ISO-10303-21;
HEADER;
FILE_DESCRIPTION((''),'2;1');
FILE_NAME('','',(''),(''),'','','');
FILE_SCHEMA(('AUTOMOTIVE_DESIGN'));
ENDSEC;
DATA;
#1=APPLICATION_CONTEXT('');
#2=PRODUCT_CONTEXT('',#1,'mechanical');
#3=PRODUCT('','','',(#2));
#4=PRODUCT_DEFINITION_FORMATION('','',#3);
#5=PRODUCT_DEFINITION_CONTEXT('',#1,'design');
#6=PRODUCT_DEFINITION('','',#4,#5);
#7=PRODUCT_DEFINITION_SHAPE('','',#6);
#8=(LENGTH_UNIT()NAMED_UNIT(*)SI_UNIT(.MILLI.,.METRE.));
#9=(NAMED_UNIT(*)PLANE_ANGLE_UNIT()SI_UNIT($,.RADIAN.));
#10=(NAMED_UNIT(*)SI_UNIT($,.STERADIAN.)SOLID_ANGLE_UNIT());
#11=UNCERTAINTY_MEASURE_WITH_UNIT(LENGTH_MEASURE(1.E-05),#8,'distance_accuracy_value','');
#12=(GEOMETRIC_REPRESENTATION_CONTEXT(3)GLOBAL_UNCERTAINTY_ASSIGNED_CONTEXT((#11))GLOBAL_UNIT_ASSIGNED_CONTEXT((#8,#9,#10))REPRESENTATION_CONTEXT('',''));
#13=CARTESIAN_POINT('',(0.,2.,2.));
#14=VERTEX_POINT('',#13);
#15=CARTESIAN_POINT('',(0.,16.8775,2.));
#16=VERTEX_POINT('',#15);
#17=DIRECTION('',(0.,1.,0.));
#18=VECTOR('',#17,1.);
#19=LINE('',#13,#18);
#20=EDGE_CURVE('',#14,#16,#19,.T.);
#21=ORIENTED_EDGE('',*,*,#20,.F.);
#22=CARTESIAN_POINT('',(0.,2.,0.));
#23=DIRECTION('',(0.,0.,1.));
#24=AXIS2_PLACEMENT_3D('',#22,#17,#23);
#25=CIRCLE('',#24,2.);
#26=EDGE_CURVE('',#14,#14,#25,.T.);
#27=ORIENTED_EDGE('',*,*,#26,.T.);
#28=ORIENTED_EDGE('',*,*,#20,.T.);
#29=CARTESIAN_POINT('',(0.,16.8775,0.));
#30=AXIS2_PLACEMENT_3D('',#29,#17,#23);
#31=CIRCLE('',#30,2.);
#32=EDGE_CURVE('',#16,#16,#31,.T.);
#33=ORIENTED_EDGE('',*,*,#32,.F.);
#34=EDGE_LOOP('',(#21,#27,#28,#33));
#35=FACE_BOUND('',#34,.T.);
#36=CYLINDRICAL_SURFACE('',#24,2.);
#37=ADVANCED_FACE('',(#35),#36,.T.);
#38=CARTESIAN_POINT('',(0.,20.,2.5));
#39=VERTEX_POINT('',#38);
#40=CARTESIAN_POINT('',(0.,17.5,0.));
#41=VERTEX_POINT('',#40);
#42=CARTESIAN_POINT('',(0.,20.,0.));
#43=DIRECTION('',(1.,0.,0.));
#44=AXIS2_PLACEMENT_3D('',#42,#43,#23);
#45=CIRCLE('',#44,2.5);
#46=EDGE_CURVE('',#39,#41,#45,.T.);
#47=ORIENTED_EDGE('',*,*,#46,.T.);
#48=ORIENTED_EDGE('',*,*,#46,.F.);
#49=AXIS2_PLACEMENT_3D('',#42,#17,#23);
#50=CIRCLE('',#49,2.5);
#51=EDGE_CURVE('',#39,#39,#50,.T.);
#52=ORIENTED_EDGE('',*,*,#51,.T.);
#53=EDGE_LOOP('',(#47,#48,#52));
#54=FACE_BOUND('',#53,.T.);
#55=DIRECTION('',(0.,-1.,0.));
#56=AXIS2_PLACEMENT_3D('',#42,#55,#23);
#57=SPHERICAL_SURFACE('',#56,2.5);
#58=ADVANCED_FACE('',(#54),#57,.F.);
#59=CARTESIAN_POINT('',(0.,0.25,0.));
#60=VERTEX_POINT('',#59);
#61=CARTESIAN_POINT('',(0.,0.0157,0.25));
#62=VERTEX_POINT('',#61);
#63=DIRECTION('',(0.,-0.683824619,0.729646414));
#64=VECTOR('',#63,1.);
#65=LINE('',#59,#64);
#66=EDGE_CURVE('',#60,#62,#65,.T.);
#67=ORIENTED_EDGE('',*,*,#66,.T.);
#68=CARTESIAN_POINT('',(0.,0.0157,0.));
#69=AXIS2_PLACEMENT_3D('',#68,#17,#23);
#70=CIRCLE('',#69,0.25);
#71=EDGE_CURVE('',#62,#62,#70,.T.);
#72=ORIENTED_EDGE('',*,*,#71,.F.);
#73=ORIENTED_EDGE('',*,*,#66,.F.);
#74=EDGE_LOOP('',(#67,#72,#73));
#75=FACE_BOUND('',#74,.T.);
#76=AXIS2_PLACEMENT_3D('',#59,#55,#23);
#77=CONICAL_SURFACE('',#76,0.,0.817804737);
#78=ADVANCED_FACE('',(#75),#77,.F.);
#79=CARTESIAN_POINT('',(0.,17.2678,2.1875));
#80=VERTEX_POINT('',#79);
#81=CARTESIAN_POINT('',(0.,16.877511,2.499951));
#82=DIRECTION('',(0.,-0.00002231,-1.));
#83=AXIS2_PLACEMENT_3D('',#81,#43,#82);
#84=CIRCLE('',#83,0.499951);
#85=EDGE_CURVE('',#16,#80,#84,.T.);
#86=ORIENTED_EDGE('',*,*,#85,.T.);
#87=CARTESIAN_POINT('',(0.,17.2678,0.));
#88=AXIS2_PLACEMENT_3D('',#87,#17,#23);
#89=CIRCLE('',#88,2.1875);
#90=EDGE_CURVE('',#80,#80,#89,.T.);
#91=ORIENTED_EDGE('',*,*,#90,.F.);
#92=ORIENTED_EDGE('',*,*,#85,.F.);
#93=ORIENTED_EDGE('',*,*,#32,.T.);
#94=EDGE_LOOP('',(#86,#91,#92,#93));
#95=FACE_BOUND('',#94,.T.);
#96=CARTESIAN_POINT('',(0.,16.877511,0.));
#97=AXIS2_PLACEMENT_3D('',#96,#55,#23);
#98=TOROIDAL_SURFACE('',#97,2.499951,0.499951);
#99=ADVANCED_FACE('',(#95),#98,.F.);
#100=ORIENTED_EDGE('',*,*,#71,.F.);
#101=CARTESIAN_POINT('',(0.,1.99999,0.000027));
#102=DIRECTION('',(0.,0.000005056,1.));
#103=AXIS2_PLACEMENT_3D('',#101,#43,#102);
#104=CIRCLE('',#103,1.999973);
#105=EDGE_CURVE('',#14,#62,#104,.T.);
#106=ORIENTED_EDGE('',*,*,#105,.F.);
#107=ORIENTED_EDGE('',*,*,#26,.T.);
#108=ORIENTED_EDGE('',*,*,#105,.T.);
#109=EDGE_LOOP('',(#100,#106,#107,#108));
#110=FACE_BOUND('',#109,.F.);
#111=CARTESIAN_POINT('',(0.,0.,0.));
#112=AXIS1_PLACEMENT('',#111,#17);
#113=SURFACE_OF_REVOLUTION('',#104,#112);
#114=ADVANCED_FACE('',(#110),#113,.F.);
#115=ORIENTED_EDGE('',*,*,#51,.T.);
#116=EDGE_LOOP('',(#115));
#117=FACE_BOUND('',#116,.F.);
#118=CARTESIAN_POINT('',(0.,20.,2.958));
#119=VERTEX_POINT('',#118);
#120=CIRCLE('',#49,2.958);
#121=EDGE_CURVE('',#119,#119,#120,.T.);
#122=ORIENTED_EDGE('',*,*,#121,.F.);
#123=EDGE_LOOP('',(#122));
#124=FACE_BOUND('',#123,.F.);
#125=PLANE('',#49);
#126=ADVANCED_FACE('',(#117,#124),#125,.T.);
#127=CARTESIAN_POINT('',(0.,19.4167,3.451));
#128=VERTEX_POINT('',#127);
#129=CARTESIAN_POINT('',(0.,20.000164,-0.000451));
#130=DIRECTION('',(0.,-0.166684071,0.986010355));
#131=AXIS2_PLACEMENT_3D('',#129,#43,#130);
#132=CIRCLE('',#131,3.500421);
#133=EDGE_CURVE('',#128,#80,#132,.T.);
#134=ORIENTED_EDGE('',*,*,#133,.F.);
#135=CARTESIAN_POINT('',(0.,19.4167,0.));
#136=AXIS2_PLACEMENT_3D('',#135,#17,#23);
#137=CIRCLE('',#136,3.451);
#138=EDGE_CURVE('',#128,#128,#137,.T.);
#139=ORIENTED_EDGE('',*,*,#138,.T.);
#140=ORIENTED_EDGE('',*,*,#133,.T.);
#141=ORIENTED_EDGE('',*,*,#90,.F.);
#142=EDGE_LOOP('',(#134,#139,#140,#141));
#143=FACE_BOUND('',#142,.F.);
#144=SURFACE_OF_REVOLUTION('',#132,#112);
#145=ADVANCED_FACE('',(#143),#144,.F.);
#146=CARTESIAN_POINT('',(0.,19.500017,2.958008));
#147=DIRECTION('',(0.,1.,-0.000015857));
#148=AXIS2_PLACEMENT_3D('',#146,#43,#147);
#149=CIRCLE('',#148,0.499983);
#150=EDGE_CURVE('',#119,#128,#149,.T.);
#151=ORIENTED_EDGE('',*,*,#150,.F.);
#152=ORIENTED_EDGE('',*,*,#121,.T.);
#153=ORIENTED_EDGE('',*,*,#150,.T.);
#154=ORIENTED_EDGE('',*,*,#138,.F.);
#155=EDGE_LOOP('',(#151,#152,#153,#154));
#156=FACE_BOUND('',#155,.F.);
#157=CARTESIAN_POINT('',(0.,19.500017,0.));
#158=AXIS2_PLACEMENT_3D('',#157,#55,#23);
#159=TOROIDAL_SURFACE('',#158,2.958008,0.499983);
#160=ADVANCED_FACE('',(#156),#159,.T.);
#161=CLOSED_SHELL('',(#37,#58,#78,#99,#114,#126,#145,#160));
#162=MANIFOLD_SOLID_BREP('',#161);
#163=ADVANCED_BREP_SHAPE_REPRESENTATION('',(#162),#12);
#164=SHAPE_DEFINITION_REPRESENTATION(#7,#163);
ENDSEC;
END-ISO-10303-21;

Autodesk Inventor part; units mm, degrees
ref_plane "YZ Plane" through (0, 0, 0) normal (1, 0, 0) x (0, 1, 0)
ref_plane "XZ Plane" through (0, 0, 0) normal (0, 1, 0) x (-1, 0, 0)
ref_plane "XY Plane" through (0, 0, 0) normal (0, 0, 1) x (1, 0, 0)
sketch "Sketch1" plane through (0, 0, 0) normal (1, 0, 0) x (0, 1, 0)
  line L0 (0, 0) -> (20, 0) construction
  arc A0 (20, 2.5) -> (17.5, 0) centre (20, 0) ccw
  arc A1 (19.4167, 3.451) -> (17.2678, 2.1875) centre (20, 0) ccw
  line L1 (2, 2) -> (16.8775, 2)
  line L2 (2, 2) -> (2, -2.5) construction
  arc A2 (2, 2) -> (0.0157, 0.25) centre (2, 0) ccw
  line L3 (0.25, 0) -> (0.0157, 0.25)
  line L4 (20, 0) -> (20, 2.958)
  line L5 (17.5, 0) -> (0.25, 0)
  arc A3 (20, 2.958) -> (19.4167, 3.451) centre (19.5, 2.958) ccw
  arc A4 (16.8775, 2) -> (17.2678, 2.1875) centre (16.8775, 2.5) ccw
  dimension "d0" = 20
  dimension "d1" = 5
  dimension "d2" = 7
  dimension "d3" = 2
  dimension "d4" = 2
  dimension "d5" = 0.25
  dimension "d6" = 0.25
  dimension "d7" = 1
  dimension "d8" = 1
revolve "Revolution1" add sketch "Sketch1" angle 360 about axis through (0, 0, 0) along (0, 1, 0)
properties part number "Component 4 (Pound)"
